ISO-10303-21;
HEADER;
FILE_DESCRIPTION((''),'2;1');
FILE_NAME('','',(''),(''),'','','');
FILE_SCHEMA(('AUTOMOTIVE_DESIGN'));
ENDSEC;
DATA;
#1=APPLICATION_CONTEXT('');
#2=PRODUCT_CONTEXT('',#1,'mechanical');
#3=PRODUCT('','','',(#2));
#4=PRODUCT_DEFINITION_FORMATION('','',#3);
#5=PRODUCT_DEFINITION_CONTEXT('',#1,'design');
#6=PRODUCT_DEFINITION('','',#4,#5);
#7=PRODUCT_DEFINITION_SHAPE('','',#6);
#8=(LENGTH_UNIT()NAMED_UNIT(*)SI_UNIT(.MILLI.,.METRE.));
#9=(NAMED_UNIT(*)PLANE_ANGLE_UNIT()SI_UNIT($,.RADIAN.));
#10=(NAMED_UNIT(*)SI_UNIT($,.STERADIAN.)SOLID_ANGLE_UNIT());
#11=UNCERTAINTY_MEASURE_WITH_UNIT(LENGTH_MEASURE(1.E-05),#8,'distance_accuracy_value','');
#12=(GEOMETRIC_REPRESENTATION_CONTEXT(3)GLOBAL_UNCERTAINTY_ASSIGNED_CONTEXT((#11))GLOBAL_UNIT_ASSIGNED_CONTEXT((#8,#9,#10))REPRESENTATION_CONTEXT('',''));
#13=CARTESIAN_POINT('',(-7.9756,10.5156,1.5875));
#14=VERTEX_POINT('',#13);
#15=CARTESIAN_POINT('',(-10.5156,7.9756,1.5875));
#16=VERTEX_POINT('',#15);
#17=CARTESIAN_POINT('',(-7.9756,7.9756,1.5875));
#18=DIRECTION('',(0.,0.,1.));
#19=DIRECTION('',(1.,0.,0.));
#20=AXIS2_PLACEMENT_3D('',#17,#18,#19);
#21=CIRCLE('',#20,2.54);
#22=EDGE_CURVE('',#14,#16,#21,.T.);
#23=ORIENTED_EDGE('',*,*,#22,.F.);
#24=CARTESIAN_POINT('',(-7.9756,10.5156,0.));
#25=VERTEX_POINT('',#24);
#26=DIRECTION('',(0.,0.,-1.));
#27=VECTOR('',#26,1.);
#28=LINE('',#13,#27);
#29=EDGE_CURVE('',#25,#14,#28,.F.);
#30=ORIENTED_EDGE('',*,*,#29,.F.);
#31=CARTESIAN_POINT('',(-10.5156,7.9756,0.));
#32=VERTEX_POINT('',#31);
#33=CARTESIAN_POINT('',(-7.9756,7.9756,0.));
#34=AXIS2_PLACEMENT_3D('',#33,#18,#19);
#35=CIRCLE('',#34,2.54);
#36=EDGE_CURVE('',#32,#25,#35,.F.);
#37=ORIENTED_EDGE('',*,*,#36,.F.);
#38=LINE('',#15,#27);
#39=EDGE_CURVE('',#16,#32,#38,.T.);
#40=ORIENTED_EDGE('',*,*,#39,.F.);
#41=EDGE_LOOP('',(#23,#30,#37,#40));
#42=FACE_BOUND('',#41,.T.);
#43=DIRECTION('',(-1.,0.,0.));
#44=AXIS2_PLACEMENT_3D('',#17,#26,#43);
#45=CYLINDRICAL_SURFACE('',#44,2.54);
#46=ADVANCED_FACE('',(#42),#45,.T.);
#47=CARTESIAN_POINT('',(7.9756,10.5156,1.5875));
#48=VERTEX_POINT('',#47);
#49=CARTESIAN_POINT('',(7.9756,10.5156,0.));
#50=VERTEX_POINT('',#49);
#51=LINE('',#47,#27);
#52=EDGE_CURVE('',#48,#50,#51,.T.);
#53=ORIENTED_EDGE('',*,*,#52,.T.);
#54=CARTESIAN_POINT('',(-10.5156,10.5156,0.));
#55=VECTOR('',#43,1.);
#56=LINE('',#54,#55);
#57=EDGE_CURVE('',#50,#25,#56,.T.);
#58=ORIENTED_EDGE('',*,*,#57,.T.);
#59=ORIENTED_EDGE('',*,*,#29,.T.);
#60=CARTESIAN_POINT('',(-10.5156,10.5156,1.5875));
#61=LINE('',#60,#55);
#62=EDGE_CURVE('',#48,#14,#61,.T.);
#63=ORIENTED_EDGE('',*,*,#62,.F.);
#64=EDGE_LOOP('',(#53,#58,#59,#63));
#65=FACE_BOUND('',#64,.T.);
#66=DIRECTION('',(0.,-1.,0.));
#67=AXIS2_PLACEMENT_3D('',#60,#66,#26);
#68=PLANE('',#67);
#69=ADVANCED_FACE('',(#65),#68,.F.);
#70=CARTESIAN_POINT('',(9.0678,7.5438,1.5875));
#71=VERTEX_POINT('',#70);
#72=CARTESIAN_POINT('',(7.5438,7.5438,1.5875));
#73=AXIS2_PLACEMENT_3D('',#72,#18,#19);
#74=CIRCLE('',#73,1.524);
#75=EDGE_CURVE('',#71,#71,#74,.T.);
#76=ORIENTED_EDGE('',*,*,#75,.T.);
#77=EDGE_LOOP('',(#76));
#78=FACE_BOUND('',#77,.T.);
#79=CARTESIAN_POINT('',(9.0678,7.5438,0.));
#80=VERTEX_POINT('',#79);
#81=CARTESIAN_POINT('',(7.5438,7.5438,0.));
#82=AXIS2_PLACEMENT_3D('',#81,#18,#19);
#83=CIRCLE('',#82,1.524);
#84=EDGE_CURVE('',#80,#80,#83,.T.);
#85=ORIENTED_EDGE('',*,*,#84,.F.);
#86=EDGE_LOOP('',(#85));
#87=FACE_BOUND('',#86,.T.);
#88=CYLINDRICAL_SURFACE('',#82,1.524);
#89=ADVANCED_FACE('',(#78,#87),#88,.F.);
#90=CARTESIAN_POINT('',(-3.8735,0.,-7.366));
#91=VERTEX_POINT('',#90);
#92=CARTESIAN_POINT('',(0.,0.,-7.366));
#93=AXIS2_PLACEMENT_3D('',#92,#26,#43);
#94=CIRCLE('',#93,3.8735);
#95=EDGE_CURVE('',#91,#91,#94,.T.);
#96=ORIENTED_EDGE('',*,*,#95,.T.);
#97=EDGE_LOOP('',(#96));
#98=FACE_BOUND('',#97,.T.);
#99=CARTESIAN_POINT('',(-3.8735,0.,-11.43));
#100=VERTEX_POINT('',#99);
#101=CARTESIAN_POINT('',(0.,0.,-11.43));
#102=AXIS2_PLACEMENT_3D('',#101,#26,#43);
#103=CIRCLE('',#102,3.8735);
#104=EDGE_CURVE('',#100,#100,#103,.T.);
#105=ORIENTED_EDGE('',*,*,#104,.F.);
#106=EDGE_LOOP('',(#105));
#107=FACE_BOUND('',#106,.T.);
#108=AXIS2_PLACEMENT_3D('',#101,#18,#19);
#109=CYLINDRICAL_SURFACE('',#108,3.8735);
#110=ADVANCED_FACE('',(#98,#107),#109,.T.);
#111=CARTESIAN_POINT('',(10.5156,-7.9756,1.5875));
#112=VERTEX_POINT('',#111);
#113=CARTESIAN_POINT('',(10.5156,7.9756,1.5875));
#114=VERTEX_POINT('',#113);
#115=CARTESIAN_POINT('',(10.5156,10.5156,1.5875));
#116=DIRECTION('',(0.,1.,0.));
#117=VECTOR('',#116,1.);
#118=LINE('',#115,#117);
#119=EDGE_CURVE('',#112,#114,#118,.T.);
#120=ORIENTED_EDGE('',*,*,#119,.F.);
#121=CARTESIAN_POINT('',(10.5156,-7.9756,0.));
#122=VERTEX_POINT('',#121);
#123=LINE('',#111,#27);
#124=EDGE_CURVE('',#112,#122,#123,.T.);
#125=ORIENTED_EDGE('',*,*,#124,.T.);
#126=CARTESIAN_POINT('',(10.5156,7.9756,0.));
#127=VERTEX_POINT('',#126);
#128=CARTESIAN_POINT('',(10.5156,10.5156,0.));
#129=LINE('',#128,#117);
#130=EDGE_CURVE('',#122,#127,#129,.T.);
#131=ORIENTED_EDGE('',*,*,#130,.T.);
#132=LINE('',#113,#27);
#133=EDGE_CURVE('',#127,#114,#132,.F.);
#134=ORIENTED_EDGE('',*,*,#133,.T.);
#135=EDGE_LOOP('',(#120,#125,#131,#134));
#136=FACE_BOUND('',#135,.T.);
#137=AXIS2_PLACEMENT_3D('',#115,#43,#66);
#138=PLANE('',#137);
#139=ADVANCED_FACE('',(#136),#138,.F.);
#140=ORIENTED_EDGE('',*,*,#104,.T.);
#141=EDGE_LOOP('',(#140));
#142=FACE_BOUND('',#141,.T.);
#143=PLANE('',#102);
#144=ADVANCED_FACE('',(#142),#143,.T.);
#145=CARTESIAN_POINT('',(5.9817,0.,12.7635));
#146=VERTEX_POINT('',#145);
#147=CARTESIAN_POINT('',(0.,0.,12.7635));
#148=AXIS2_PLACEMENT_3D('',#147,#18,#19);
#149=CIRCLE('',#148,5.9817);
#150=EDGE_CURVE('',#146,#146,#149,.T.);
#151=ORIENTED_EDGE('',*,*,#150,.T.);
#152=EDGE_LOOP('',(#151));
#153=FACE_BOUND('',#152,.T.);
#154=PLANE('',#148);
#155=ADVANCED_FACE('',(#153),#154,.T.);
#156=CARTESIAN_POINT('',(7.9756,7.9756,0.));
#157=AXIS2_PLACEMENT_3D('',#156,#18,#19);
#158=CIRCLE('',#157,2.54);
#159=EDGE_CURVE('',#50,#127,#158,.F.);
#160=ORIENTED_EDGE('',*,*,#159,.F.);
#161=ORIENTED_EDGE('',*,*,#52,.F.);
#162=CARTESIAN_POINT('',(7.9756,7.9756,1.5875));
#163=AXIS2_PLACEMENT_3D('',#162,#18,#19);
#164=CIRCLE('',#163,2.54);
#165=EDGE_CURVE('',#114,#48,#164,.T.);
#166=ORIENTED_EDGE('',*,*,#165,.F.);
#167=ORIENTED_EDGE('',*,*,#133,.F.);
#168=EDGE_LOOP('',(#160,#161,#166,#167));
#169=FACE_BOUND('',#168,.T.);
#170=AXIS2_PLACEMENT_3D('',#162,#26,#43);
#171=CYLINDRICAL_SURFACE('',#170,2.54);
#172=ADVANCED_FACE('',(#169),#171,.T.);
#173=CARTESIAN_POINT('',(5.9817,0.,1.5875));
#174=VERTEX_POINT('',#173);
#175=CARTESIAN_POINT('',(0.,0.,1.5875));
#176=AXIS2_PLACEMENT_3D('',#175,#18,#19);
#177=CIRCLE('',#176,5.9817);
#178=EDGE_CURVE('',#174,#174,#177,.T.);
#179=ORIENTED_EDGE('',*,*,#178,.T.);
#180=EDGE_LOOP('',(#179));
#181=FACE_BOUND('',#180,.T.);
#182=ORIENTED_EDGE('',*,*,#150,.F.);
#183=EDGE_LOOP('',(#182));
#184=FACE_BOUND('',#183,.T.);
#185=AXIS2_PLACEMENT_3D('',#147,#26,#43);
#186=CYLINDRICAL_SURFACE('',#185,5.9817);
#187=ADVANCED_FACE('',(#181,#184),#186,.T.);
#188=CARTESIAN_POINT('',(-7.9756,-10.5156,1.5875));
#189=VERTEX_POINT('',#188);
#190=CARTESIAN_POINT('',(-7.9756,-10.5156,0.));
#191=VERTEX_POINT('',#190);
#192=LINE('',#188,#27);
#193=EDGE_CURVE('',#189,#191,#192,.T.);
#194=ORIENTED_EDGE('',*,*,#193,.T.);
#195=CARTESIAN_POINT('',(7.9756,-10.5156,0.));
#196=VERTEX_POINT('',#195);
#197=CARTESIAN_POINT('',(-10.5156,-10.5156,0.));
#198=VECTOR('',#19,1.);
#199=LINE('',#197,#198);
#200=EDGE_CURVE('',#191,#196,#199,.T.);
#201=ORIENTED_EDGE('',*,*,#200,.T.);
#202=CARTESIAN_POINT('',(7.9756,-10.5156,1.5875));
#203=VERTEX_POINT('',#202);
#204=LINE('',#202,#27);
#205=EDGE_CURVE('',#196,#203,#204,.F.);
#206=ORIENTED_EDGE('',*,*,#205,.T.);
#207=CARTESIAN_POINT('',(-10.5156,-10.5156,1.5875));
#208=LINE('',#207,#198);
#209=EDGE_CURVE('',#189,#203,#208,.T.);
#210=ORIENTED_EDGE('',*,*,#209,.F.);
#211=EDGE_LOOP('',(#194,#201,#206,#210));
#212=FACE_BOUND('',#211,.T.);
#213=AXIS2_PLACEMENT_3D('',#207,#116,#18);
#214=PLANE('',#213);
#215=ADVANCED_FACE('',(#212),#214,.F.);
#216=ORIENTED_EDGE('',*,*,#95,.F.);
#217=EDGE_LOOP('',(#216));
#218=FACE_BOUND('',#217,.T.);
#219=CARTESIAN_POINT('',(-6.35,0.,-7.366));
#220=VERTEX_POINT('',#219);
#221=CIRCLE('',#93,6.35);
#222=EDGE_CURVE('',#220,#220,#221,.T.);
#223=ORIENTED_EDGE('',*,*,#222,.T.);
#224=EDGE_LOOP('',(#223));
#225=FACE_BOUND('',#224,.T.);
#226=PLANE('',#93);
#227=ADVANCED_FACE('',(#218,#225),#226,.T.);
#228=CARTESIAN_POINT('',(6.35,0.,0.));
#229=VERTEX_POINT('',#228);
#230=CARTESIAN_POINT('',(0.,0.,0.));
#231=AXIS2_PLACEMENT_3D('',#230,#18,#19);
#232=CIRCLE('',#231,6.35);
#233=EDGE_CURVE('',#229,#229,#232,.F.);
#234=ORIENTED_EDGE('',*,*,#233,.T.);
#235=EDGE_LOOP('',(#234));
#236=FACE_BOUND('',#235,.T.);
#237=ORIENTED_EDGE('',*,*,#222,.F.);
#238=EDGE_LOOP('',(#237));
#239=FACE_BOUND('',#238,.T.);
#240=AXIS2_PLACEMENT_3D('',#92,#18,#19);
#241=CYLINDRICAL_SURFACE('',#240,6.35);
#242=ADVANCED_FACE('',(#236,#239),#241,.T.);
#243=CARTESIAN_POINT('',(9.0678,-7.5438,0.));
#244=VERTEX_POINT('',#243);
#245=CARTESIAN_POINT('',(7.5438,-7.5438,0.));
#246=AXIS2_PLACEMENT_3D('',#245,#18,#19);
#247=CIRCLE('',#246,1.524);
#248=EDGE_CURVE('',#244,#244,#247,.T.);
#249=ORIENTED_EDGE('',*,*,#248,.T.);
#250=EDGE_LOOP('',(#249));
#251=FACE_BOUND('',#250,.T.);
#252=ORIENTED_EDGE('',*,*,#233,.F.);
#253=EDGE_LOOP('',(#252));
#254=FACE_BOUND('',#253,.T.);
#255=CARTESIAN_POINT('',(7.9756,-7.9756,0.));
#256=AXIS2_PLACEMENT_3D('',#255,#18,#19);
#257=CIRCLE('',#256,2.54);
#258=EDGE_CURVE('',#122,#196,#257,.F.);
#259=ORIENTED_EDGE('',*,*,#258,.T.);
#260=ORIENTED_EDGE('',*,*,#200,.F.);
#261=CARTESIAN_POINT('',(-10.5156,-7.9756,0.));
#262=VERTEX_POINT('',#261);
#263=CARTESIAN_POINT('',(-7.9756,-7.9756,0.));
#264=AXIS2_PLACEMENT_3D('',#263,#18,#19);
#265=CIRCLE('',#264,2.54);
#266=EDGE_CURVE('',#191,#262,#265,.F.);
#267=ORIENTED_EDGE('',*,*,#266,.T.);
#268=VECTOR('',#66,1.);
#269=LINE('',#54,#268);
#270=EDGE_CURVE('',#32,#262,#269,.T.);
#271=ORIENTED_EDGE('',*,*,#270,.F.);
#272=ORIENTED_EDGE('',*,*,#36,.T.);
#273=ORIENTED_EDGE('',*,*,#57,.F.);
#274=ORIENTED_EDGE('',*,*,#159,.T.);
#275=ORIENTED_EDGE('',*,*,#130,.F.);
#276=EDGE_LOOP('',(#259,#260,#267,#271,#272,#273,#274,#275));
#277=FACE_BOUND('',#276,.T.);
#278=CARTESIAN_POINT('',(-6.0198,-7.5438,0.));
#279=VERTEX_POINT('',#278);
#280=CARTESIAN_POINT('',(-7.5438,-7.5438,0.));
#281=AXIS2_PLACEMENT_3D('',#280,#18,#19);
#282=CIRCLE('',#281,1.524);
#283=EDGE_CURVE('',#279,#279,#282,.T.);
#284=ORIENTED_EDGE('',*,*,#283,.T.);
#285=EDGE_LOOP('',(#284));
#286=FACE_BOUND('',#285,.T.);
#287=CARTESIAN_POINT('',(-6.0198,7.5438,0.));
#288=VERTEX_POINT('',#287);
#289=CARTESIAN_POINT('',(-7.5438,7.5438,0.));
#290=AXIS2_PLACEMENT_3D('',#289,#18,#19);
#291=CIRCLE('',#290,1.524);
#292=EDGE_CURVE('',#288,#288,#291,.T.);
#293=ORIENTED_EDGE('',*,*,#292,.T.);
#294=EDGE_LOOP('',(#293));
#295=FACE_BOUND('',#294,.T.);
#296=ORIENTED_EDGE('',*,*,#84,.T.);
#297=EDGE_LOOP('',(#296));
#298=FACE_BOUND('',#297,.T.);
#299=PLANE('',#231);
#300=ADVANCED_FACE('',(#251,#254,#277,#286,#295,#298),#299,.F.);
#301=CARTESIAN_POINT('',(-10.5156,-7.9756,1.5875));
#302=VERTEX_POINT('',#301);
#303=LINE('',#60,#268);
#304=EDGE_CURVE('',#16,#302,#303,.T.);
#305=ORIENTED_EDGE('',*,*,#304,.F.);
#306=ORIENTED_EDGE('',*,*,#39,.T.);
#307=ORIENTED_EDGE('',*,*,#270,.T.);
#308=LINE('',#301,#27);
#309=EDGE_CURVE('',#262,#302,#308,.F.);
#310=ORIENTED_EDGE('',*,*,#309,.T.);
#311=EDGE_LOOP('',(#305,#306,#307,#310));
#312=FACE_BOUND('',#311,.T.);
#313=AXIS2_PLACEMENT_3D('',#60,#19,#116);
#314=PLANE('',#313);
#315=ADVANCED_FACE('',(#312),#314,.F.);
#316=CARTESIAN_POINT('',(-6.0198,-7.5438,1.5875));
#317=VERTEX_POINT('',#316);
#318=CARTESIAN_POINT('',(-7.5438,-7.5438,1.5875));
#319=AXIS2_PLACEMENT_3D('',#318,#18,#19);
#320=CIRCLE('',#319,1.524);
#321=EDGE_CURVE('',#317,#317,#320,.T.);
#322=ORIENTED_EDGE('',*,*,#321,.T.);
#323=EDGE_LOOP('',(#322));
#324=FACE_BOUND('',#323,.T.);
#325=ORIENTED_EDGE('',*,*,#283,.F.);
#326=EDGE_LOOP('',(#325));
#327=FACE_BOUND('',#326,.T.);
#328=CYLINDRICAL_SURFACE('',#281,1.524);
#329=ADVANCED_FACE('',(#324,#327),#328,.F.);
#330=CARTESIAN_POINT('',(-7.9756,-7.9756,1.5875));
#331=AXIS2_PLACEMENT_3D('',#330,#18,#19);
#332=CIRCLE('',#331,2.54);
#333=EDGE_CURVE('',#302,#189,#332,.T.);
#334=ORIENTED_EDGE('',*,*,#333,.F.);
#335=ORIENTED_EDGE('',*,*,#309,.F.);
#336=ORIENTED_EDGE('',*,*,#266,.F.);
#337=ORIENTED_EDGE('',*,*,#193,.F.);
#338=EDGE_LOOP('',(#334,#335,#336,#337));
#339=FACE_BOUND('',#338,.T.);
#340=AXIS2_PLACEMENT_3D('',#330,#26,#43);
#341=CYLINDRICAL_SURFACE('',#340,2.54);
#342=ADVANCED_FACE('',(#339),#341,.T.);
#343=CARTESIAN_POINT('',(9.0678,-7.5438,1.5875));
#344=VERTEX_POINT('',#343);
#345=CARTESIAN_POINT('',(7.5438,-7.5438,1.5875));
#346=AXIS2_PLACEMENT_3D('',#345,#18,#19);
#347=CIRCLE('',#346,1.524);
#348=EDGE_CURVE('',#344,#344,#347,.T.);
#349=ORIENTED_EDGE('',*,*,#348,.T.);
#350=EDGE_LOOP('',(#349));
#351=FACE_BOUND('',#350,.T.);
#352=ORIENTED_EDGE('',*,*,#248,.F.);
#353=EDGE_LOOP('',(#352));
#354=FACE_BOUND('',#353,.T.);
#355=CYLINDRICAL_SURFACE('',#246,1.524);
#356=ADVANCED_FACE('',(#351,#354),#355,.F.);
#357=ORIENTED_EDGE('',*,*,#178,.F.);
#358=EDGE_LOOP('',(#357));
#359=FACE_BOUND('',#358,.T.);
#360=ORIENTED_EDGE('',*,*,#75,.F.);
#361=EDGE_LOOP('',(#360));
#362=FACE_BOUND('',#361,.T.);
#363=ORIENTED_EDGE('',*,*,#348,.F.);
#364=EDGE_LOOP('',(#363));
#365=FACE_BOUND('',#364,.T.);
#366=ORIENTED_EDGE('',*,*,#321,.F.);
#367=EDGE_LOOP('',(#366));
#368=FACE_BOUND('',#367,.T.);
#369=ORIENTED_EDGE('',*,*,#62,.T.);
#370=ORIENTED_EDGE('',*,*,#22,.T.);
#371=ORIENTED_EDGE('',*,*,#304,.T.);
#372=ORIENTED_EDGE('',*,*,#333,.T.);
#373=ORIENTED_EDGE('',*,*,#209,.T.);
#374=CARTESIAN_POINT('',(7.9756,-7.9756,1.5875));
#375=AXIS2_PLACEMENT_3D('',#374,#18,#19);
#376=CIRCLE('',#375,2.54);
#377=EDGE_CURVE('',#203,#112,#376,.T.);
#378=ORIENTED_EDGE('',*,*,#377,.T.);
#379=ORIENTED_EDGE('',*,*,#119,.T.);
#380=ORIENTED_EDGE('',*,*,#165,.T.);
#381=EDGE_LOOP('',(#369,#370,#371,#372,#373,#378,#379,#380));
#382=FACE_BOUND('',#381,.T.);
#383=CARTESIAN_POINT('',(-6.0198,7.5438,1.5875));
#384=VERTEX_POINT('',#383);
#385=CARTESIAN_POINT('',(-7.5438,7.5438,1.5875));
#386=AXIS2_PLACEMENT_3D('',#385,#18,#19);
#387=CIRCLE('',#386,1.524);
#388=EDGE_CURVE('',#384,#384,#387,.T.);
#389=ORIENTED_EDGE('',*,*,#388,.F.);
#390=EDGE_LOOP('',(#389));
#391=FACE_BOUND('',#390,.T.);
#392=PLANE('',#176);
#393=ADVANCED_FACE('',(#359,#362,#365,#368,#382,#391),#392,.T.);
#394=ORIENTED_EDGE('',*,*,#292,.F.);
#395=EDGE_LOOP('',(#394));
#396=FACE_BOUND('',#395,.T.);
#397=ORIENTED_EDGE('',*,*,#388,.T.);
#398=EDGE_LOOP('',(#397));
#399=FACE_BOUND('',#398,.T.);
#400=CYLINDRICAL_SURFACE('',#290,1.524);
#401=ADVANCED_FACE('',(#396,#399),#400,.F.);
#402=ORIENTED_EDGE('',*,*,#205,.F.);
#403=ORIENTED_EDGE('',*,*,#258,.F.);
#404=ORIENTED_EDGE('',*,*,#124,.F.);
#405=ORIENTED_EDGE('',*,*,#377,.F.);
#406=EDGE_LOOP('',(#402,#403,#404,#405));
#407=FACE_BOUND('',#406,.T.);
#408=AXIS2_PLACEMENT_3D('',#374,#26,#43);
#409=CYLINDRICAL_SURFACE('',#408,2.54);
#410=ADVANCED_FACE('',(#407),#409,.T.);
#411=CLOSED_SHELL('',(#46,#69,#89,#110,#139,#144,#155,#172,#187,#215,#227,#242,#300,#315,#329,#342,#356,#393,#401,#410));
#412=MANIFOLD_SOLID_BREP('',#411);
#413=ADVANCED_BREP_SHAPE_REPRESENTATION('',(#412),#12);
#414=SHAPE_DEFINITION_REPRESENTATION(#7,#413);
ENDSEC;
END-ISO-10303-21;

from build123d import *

# Parameters (mm, degrees)
SKETCH1_W           = 21.0312
SKETCH1_H           = 21.0312
BOSS_EXTRUDE1_DEPTH = 1.5875
SKETCH2_R           = 1.524
CUT_EXTRUDE1_DEPTH  = 15.9557963
FILLET1_R           = 2.54
SKETCH3_R           = 5.9817
BOSS_EXTRUDE2_DEPTH = 11.176
SKETCH4_R           = 6.35
BOSS_EXTRUDE3_DEPTH = 7.366
SKETCH5_R           = 3.8735
BOSS_EXTRUDE4_DEPTH = 4.064


with BuildPart() as part:
    # Sketch1 → Boss-Extrude1 (new body)
    with BuildSketch(Plane.XY):
        Rectangle(SKETCH1_W, SKETCH1_H)
    extrude(amount=BOSS_EXTRUDE1_DEPTH)

    # Sketch2 → Cut-Extrude1 (cut, through all)
    with BuildSketch(Plane.XY.offset(1.5875)):
        with Locations((-7.5438, 7.5438)):
            Circle(SKETCH2_R)
        with Locations((-7.5438, -7.5438)):
            Circle(SKETCH2_R)
        with Locations((7.5438, -7.5438)):
            Circle(SKETCH2_R)
        with Locations((7.5438, 7.5438)):
            Circle(SKETCH2_R)
    extrude(amount=-CUT_EXTRUDE1_DEPTH, mode=Mode.SUBTRACT)

    # Fillet1
    fillet1_edges = [part.edges().sort_by_distance(p)[0] for p in [
        (10.5156, -10.5156, 0.79375),
        (-10.5156, -10.5156, 0.79375),
        (-10.5156, 10.5156, 0.79375),
        (10.5156, 10.5156, 0.79375),
    ]]
    fillet(fillet1_edges, radius=FILLET1_R)

    # Sketch3 → Boss-Extrude2 (add)
    with BuildSketch(Plane.XY.offset(1.5875)):
        Circle(SKETCH3_R)
    extrude(amount=BOSS_EXTRUDE2_DEPTH)

    # Sketch4 → Boss-Extrude3 (add)
    with BuildSketch(Plane(origin=(0, 0, 0), x_dir=(-1, 0, 0), z_dir=(0, 0, -1))):
        with Locations(Location((0, 0, 0), (0, 0, 180))):
            Circle(SKETCH4_R)
    extrude(amount=BOSS_EXTRUDE3_DEPTH)

    # Sketch5 → Boss-Extrude4 (add)
    with BuildSketch(Plane(origin=(0, 0, -7.366), x_dir=(-1, 0, 0), z_dir=(0, 0, -1))):
        Circle(SKETCH5_R)
    extrude(amount=BOSS_EXTRUDE4_DEPTH)


solid = part.part
